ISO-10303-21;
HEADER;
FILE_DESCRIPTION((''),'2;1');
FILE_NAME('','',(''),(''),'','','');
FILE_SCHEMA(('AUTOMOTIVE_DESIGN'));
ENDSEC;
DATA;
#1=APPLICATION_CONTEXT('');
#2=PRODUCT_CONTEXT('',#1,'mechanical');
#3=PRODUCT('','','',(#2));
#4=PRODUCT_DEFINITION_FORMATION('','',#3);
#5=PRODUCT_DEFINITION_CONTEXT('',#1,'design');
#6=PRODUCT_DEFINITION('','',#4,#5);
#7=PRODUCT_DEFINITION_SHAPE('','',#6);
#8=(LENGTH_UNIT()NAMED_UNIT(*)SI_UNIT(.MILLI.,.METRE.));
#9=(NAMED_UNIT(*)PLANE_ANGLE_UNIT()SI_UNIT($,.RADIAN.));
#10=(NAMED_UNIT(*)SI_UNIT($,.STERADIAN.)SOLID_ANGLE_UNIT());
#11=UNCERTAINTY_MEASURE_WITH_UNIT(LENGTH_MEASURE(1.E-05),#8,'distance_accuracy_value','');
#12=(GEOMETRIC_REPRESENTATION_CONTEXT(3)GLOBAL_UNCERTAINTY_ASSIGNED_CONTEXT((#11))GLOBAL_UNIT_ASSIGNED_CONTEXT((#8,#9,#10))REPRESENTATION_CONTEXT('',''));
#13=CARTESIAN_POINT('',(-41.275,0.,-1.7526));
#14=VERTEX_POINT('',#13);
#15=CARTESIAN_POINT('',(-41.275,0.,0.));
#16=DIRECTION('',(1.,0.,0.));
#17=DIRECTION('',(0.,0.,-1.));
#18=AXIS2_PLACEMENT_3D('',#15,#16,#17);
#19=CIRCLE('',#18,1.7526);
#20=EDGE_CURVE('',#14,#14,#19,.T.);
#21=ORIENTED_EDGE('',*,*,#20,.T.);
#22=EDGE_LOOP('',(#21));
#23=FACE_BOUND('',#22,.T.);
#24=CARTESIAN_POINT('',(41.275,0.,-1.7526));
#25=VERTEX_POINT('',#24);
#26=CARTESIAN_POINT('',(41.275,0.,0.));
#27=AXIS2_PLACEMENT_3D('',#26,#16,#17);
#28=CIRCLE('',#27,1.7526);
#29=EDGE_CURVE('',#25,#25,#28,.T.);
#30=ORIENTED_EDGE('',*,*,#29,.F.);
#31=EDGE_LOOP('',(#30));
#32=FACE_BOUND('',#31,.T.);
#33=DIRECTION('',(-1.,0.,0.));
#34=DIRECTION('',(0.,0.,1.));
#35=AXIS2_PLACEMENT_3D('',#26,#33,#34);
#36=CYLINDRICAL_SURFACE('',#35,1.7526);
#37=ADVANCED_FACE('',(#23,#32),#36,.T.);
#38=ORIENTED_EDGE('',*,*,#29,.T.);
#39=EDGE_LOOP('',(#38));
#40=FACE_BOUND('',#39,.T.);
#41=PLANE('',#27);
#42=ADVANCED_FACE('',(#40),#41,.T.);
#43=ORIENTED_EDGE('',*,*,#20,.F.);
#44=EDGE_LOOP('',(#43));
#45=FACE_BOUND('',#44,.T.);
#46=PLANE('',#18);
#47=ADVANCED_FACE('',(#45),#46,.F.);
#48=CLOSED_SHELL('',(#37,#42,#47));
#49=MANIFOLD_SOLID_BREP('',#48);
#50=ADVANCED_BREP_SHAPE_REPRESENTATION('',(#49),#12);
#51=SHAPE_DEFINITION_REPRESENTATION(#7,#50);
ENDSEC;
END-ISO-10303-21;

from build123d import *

# Parameters (mm, degrees)
SKETCH1_R           = 1.7526
BOSS_EXTRUDE1_DEPTH = 41.275


with BuildPart() as part:
    # Sketch1 → Boss-Extrude1 (new, symmetric)
    with BuildSketch(Plane(origin=(0, 0, 0), x_dir=(0, 0, -1), z_dir=(1, 0, 0))):
        Circle(SKETCH1_R)
    extrude(amount=BOSS_EXTRUDE1_DEPTH, both=True)


solid = part.part
